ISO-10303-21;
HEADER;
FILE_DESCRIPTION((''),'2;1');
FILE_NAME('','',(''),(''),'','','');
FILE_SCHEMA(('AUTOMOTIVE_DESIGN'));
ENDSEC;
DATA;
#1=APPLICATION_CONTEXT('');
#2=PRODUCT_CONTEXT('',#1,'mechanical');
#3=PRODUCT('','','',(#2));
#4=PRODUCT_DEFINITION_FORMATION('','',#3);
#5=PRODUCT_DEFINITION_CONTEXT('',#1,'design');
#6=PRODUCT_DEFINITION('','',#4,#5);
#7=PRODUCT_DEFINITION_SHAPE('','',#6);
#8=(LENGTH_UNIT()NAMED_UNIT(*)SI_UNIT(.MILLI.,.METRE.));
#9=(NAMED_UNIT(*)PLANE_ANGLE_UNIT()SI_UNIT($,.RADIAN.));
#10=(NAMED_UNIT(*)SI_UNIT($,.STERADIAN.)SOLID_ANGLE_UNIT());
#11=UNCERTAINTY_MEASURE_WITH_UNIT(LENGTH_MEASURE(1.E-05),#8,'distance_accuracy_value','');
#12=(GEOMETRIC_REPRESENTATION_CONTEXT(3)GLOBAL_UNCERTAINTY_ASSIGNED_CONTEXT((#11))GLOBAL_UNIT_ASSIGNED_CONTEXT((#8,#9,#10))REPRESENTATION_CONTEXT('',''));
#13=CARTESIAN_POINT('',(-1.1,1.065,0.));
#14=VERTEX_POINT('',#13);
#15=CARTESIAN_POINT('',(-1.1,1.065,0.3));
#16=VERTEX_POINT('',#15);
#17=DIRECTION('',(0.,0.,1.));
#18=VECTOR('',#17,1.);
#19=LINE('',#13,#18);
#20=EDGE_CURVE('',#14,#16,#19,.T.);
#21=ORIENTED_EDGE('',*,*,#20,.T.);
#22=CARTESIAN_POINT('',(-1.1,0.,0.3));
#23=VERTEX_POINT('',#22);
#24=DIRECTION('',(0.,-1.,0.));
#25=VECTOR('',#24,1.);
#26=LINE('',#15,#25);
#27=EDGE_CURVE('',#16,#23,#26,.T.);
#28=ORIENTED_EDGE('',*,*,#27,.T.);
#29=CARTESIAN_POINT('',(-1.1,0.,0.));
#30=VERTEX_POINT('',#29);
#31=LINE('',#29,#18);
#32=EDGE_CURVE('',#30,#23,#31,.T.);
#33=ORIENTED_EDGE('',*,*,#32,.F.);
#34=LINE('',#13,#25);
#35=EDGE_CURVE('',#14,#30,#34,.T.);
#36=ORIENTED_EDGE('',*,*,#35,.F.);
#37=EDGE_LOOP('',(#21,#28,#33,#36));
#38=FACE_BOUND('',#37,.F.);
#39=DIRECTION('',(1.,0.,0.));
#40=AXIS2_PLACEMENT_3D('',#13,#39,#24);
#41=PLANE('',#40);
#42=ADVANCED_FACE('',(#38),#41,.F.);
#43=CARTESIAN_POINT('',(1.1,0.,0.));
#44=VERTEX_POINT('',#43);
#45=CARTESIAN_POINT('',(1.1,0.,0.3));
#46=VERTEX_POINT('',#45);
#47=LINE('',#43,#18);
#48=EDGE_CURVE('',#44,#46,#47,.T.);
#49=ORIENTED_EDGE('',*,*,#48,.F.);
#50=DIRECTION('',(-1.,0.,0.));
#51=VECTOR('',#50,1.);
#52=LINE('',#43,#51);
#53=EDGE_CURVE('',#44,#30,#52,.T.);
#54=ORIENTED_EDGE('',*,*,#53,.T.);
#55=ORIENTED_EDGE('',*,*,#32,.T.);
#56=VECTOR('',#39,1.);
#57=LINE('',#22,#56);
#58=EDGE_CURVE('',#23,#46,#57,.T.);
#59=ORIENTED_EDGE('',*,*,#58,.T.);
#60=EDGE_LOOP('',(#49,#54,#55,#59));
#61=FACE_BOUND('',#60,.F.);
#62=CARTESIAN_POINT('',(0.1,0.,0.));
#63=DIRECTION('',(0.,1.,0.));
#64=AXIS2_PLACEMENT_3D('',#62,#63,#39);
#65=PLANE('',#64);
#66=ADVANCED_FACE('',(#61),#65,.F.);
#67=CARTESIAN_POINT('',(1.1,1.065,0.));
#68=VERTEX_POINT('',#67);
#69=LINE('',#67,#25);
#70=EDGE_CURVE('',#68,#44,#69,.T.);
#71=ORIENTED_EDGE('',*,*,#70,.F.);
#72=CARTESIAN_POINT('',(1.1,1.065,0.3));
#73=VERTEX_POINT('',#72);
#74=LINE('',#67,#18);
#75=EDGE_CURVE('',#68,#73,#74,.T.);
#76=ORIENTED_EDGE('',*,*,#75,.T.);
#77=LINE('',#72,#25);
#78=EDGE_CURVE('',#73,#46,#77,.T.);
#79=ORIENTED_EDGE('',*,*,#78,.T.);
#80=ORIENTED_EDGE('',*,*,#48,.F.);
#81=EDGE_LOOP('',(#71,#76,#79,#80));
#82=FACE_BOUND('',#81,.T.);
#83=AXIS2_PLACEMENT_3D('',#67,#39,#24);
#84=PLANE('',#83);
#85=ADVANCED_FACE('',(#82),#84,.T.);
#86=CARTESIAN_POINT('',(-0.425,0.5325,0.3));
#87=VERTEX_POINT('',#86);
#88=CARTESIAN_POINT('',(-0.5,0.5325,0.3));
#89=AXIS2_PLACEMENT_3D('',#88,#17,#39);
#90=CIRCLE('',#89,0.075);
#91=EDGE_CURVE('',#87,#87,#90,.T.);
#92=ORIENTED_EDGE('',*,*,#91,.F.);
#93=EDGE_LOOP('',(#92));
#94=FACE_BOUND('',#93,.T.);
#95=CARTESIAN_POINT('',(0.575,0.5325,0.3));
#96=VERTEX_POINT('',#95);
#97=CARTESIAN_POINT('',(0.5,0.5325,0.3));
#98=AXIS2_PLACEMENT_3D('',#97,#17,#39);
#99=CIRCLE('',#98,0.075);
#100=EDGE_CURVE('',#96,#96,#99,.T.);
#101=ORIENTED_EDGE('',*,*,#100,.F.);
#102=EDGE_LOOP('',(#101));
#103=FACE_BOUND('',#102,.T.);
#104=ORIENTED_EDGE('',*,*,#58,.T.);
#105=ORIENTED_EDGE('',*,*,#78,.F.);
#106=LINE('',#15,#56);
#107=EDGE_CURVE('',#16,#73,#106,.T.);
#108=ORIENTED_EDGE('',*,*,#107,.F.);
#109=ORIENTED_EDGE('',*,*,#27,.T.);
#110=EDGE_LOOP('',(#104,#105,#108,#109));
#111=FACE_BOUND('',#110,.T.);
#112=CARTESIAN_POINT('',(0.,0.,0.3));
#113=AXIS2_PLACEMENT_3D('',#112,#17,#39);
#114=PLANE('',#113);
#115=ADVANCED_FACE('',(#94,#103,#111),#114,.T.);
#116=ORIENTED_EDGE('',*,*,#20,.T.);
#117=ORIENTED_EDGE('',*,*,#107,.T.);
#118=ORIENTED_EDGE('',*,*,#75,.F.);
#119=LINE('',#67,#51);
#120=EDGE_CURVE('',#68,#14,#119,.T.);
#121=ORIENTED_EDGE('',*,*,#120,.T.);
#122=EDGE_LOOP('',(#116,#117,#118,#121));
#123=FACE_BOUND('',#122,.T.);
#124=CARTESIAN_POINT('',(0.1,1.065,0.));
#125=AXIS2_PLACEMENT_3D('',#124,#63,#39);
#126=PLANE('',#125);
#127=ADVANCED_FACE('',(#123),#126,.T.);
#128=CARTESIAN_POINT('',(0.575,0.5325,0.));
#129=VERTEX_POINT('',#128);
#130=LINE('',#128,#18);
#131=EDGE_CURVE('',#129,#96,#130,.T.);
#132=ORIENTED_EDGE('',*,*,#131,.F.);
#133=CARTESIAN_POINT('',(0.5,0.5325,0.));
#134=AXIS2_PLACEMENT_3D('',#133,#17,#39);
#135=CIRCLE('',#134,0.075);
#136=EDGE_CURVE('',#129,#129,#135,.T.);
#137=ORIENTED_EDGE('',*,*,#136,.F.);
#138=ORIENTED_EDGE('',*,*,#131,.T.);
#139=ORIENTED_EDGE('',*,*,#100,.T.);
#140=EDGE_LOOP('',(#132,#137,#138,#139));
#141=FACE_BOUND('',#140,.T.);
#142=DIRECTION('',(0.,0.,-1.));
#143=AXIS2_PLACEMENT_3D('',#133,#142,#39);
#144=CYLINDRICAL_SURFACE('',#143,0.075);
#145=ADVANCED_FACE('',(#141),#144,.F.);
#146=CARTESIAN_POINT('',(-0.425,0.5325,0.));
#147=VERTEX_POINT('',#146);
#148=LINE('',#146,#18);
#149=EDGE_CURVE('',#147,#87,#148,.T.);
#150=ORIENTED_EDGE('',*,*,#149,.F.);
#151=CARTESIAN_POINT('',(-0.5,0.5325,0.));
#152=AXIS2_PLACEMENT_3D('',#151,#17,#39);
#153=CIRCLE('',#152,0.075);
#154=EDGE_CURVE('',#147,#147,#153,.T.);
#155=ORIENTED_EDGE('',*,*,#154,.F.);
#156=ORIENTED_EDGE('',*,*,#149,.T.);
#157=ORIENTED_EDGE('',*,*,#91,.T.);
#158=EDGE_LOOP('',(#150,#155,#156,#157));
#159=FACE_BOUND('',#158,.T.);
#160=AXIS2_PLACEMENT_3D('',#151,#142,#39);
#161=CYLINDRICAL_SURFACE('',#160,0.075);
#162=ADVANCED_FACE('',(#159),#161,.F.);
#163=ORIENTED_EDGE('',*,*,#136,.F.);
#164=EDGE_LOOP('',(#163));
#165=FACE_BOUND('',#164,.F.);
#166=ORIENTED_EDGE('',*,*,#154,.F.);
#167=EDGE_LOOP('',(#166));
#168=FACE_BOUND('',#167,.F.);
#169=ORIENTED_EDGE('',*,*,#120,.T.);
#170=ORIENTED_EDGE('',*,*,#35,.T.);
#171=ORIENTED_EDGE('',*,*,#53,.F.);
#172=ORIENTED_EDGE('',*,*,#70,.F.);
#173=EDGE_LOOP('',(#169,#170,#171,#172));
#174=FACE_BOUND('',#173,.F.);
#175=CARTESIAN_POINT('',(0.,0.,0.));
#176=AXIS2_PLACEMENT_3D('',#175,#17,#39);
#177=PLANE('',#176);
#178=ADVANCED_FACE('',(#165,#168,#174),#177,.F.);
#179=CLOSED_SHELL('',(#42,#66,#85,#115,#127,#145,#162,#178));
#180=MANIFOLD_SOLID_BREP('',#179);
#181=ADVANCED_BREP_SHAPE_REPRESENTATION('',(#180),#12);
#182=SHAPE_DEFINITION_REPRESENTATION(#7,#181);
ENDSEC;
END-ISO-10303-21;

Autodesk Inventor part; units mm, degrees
ref_plane "YZ Plane" through (0, 0, 0) normal (1, 0, 0) x (0, 1, 0)
ref_plane "XZ Plane" through (0, 0, 0) normal (0, 1, 0) x (-1, 0, 0)
ref_plane "XY Plane" through (0, 0, 0) normal (0, 0, 1) x (1, 0, 0)
sketch "Boceto1" plane through (0, 0, 0) normal (0, 0, 1) x (1, 0, 0)
  line L0 (0.1, 1.065) -> (1.1, 1.065)
  line L1 (1.1, 1.065) -> (1.1, 0)
  circle A0 centre (0.5, 0.5325) radius 0.075
  line L2 (0.1, 0) -> (7.6, 0)
  line L3 (0, 1.8248) -> (0, 0)
  line L4 (0, 1.065) -> (0.1, 1.065)
  line L5 (0.1, 0) -> (0, 0)
  line L6 (-0.1, 1.065) -> (-1.1, 1.065)
  line L7 (-1.1, 1.065) -> (-1.1, 0)
  circle A1 centre (-0.5, 0.5325) radius 0.075
  line L8 (-0.1, 0) -> (-7.6, 0)
  line L9 (0, 1.065) -> (-0.1, 1.065)
  line L10 (-0.1, 0) -> (0, 0)
  point P0 (0, 0)
extrude "Extrusión1" add sketch "Boceto1" along normal blind 0.3
properties part number "LearnbotUnion"
